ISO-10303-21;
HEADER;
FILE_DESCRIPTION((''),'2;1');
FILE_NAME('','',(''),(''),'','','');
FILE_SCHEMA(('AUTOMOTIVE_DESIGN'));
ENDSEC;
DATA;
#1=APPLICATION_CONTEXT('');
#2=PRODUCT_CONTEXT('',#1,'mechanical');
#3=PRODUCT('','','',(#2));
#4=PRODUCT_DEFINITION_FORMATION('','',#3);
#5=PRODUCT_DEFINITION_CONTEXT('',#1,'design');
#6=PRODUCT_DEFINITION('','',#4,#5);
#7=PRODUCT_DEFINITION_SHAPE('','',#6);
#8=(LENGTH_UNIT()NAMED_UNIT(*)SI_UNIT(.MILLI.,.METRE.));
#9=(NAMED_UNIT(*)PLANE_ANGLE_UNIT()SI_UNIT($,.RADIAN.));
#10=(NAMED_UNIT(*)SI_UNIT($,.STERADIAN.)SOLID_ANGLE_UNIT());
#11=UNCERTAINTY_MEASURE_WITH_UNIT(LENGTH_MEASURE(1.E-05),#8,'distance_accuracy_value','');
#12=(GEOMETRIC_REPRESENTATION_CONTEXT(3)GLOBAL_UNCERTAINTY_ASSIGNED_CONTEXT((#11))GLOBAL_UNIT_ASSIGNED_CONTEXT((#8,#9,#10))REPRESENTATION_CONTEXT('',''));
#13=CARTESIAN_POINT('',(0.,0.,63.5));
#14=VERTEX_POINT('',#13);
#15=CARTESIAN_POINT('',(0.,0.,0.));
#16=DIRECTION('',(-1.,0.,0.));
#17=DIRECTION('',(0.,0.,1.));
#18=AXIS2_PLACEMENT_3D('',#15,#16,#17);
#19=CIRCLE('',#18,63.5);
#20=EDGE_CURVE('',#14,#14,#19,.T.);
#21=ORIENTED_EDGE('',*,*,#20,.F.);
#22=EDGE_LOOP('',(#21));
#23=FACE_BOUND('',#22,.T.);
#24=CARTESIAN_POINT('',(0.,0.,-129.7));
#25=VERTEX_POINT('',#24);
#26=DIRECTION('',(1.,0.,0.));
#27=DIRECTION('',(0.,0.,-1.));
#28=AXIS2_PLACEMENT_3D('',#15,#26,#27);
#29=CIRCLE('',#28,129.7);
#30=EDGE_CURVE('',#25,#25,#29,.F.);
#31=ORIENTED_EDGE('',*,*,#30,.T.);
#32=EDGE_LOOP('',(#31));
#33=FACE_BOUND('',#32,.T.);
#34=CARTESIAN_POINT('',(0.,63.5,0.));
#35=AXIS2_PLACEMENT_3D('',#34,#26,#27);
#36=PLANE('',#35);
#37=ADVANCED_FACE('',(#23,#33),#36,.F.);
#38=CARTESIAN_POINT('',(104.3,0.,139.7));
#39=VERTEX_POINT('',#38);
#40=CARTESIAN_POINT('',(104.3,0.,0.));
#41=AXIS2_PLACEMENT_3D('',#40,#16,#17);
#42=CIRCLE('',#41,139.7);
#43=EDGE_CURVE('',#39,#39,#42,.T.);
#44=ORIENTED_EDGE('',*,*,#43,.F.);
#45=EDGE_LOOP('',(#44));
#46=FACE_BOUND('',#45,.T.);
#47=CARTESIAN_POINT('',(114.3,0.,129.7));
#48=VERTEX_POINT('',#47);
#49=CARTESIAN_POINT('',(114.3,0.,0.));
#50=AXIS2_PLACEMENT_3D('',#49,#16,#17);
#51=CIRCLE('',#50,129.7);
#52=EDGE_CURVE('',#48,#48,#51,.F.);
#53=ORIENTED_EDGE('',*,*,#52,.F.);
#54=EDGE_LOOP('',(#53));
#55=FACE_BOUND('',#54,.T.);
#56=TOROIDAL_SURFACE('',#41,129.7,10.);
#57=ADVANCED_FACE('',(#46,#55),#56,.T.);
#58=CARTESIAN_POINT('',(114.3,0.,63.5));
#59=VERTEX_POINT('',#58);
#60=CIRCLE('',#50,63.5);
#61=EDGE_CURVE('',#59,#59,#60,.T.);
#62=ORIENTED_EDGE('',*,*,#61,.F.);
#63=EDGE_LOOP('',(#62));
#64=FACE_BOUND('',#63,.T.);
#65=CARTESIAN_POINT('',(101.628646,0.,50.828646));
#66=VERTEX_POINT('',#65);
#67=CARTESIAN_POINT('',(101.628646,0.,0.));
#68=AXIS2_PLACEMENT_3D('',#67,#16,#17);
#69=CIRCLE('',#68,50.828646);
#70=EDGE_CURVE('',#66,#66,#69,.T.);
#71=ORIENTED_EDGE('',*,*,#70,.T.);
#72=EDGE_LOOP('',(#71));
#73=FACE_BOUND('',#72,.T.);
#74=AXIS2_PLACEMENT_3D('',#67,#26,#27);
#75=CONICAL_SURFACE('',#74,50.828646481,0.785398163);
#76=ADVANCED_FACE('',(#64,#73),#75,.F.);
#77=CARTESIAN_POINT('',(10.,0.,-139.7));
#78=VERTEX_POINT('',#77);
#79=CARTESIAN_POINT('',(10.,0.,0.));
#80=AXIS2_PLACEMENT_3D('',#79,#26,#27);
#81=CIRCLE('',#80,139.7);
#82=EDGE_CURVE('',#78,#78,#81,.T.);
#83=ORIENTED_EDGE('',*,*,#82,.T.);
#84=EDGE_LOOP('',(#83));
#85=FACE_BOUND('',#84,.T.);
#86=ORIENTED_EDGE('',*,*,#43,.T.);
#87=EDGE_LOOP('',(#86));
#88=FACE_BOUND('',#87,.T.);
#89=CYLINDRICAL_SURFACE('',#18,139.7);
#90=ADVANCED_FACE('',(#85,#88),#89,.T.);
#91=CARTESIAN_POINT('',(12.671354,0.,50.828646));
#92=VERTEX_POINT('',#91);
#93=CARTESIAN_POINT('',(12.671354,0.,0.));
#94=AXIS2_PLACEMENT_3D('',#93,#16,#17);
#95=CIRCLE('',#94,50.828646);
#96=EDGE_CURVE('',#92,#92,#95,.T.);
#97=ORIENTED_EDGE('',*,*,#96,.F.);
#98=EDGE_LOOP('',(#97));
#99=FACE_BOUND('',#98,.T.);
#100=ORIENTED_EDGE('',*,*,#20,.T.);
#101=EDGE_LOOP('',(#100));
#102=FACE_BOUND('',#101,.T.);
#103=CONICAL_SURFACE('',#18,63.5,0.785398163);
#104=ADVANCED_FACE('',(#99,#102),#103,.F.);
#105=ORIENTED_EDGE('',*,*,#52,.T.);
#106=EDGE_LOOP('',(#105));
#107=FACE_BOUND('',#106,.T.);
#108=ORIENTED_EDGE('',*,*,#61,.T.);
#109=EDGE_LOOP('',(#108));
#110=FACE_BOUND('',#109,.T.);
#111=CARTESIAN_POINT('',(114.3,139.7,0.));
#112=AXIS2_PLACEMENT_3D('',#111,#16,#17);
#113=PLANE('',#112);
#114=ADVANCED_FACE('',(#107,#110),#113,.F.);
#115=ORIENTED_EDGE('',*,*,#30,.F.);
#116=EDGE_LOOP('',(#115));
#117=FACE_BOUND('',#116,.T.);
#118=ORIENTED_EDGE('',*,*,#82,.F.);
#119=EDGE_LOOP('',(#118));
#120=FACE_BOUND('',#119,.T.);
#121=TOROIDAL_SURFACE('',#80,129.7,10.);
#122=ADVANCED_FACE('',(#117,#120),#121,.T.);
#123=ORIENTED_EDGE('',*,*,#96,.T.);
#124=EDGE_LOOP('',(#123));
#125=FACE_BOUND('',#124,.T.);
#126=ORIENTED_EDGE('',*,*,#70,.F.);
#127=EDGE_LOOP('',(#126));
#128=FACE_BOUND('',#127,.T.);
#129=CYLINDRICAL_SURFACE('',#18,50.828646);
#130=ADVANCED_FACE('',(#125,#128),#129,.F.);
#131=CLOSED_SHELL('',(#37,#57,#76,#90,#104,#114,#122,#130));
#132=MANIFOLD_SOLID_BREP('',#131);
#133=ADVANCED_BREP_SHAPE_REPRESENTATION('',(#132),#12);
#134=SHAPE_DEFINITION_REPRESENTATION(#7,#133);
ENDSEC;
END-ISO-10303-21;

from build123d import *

# Parameters (mm, degrees)
FILLET1_R = 10


with BuildPart() as part:
    # Sketch1 → Revolve1 (revolve)
    with BuildSketch(Plane.XY, mode=Mode.PRIVATE) as revolve1_sk:
        Polygon((12.671353519, 50.828646481), (49.214586006, 50.828646481), (96.294527469, 50.828646481), (101.628646481, 50.828646481), (114.3, 63.5), (114.3, 139.7), (0, 139.7), (0, 63.5), align=None)
    revolve(revolve1_sk.sketch.rotate(Axis((0, 0, 0), (1, 0, 0)), 90), axis=Axis((0, 0, 0), (1, 0, 0)))

    # Fillet1
    fillet1_edges = [part.edges().sort_by_distance(p)[0] for p in [
        (0, 0, -139.7),
        (114.3, 0, -139.7),
    ]]
    fillet(fillet1_edges, radius=FILLET1_R)


solid = part.part
